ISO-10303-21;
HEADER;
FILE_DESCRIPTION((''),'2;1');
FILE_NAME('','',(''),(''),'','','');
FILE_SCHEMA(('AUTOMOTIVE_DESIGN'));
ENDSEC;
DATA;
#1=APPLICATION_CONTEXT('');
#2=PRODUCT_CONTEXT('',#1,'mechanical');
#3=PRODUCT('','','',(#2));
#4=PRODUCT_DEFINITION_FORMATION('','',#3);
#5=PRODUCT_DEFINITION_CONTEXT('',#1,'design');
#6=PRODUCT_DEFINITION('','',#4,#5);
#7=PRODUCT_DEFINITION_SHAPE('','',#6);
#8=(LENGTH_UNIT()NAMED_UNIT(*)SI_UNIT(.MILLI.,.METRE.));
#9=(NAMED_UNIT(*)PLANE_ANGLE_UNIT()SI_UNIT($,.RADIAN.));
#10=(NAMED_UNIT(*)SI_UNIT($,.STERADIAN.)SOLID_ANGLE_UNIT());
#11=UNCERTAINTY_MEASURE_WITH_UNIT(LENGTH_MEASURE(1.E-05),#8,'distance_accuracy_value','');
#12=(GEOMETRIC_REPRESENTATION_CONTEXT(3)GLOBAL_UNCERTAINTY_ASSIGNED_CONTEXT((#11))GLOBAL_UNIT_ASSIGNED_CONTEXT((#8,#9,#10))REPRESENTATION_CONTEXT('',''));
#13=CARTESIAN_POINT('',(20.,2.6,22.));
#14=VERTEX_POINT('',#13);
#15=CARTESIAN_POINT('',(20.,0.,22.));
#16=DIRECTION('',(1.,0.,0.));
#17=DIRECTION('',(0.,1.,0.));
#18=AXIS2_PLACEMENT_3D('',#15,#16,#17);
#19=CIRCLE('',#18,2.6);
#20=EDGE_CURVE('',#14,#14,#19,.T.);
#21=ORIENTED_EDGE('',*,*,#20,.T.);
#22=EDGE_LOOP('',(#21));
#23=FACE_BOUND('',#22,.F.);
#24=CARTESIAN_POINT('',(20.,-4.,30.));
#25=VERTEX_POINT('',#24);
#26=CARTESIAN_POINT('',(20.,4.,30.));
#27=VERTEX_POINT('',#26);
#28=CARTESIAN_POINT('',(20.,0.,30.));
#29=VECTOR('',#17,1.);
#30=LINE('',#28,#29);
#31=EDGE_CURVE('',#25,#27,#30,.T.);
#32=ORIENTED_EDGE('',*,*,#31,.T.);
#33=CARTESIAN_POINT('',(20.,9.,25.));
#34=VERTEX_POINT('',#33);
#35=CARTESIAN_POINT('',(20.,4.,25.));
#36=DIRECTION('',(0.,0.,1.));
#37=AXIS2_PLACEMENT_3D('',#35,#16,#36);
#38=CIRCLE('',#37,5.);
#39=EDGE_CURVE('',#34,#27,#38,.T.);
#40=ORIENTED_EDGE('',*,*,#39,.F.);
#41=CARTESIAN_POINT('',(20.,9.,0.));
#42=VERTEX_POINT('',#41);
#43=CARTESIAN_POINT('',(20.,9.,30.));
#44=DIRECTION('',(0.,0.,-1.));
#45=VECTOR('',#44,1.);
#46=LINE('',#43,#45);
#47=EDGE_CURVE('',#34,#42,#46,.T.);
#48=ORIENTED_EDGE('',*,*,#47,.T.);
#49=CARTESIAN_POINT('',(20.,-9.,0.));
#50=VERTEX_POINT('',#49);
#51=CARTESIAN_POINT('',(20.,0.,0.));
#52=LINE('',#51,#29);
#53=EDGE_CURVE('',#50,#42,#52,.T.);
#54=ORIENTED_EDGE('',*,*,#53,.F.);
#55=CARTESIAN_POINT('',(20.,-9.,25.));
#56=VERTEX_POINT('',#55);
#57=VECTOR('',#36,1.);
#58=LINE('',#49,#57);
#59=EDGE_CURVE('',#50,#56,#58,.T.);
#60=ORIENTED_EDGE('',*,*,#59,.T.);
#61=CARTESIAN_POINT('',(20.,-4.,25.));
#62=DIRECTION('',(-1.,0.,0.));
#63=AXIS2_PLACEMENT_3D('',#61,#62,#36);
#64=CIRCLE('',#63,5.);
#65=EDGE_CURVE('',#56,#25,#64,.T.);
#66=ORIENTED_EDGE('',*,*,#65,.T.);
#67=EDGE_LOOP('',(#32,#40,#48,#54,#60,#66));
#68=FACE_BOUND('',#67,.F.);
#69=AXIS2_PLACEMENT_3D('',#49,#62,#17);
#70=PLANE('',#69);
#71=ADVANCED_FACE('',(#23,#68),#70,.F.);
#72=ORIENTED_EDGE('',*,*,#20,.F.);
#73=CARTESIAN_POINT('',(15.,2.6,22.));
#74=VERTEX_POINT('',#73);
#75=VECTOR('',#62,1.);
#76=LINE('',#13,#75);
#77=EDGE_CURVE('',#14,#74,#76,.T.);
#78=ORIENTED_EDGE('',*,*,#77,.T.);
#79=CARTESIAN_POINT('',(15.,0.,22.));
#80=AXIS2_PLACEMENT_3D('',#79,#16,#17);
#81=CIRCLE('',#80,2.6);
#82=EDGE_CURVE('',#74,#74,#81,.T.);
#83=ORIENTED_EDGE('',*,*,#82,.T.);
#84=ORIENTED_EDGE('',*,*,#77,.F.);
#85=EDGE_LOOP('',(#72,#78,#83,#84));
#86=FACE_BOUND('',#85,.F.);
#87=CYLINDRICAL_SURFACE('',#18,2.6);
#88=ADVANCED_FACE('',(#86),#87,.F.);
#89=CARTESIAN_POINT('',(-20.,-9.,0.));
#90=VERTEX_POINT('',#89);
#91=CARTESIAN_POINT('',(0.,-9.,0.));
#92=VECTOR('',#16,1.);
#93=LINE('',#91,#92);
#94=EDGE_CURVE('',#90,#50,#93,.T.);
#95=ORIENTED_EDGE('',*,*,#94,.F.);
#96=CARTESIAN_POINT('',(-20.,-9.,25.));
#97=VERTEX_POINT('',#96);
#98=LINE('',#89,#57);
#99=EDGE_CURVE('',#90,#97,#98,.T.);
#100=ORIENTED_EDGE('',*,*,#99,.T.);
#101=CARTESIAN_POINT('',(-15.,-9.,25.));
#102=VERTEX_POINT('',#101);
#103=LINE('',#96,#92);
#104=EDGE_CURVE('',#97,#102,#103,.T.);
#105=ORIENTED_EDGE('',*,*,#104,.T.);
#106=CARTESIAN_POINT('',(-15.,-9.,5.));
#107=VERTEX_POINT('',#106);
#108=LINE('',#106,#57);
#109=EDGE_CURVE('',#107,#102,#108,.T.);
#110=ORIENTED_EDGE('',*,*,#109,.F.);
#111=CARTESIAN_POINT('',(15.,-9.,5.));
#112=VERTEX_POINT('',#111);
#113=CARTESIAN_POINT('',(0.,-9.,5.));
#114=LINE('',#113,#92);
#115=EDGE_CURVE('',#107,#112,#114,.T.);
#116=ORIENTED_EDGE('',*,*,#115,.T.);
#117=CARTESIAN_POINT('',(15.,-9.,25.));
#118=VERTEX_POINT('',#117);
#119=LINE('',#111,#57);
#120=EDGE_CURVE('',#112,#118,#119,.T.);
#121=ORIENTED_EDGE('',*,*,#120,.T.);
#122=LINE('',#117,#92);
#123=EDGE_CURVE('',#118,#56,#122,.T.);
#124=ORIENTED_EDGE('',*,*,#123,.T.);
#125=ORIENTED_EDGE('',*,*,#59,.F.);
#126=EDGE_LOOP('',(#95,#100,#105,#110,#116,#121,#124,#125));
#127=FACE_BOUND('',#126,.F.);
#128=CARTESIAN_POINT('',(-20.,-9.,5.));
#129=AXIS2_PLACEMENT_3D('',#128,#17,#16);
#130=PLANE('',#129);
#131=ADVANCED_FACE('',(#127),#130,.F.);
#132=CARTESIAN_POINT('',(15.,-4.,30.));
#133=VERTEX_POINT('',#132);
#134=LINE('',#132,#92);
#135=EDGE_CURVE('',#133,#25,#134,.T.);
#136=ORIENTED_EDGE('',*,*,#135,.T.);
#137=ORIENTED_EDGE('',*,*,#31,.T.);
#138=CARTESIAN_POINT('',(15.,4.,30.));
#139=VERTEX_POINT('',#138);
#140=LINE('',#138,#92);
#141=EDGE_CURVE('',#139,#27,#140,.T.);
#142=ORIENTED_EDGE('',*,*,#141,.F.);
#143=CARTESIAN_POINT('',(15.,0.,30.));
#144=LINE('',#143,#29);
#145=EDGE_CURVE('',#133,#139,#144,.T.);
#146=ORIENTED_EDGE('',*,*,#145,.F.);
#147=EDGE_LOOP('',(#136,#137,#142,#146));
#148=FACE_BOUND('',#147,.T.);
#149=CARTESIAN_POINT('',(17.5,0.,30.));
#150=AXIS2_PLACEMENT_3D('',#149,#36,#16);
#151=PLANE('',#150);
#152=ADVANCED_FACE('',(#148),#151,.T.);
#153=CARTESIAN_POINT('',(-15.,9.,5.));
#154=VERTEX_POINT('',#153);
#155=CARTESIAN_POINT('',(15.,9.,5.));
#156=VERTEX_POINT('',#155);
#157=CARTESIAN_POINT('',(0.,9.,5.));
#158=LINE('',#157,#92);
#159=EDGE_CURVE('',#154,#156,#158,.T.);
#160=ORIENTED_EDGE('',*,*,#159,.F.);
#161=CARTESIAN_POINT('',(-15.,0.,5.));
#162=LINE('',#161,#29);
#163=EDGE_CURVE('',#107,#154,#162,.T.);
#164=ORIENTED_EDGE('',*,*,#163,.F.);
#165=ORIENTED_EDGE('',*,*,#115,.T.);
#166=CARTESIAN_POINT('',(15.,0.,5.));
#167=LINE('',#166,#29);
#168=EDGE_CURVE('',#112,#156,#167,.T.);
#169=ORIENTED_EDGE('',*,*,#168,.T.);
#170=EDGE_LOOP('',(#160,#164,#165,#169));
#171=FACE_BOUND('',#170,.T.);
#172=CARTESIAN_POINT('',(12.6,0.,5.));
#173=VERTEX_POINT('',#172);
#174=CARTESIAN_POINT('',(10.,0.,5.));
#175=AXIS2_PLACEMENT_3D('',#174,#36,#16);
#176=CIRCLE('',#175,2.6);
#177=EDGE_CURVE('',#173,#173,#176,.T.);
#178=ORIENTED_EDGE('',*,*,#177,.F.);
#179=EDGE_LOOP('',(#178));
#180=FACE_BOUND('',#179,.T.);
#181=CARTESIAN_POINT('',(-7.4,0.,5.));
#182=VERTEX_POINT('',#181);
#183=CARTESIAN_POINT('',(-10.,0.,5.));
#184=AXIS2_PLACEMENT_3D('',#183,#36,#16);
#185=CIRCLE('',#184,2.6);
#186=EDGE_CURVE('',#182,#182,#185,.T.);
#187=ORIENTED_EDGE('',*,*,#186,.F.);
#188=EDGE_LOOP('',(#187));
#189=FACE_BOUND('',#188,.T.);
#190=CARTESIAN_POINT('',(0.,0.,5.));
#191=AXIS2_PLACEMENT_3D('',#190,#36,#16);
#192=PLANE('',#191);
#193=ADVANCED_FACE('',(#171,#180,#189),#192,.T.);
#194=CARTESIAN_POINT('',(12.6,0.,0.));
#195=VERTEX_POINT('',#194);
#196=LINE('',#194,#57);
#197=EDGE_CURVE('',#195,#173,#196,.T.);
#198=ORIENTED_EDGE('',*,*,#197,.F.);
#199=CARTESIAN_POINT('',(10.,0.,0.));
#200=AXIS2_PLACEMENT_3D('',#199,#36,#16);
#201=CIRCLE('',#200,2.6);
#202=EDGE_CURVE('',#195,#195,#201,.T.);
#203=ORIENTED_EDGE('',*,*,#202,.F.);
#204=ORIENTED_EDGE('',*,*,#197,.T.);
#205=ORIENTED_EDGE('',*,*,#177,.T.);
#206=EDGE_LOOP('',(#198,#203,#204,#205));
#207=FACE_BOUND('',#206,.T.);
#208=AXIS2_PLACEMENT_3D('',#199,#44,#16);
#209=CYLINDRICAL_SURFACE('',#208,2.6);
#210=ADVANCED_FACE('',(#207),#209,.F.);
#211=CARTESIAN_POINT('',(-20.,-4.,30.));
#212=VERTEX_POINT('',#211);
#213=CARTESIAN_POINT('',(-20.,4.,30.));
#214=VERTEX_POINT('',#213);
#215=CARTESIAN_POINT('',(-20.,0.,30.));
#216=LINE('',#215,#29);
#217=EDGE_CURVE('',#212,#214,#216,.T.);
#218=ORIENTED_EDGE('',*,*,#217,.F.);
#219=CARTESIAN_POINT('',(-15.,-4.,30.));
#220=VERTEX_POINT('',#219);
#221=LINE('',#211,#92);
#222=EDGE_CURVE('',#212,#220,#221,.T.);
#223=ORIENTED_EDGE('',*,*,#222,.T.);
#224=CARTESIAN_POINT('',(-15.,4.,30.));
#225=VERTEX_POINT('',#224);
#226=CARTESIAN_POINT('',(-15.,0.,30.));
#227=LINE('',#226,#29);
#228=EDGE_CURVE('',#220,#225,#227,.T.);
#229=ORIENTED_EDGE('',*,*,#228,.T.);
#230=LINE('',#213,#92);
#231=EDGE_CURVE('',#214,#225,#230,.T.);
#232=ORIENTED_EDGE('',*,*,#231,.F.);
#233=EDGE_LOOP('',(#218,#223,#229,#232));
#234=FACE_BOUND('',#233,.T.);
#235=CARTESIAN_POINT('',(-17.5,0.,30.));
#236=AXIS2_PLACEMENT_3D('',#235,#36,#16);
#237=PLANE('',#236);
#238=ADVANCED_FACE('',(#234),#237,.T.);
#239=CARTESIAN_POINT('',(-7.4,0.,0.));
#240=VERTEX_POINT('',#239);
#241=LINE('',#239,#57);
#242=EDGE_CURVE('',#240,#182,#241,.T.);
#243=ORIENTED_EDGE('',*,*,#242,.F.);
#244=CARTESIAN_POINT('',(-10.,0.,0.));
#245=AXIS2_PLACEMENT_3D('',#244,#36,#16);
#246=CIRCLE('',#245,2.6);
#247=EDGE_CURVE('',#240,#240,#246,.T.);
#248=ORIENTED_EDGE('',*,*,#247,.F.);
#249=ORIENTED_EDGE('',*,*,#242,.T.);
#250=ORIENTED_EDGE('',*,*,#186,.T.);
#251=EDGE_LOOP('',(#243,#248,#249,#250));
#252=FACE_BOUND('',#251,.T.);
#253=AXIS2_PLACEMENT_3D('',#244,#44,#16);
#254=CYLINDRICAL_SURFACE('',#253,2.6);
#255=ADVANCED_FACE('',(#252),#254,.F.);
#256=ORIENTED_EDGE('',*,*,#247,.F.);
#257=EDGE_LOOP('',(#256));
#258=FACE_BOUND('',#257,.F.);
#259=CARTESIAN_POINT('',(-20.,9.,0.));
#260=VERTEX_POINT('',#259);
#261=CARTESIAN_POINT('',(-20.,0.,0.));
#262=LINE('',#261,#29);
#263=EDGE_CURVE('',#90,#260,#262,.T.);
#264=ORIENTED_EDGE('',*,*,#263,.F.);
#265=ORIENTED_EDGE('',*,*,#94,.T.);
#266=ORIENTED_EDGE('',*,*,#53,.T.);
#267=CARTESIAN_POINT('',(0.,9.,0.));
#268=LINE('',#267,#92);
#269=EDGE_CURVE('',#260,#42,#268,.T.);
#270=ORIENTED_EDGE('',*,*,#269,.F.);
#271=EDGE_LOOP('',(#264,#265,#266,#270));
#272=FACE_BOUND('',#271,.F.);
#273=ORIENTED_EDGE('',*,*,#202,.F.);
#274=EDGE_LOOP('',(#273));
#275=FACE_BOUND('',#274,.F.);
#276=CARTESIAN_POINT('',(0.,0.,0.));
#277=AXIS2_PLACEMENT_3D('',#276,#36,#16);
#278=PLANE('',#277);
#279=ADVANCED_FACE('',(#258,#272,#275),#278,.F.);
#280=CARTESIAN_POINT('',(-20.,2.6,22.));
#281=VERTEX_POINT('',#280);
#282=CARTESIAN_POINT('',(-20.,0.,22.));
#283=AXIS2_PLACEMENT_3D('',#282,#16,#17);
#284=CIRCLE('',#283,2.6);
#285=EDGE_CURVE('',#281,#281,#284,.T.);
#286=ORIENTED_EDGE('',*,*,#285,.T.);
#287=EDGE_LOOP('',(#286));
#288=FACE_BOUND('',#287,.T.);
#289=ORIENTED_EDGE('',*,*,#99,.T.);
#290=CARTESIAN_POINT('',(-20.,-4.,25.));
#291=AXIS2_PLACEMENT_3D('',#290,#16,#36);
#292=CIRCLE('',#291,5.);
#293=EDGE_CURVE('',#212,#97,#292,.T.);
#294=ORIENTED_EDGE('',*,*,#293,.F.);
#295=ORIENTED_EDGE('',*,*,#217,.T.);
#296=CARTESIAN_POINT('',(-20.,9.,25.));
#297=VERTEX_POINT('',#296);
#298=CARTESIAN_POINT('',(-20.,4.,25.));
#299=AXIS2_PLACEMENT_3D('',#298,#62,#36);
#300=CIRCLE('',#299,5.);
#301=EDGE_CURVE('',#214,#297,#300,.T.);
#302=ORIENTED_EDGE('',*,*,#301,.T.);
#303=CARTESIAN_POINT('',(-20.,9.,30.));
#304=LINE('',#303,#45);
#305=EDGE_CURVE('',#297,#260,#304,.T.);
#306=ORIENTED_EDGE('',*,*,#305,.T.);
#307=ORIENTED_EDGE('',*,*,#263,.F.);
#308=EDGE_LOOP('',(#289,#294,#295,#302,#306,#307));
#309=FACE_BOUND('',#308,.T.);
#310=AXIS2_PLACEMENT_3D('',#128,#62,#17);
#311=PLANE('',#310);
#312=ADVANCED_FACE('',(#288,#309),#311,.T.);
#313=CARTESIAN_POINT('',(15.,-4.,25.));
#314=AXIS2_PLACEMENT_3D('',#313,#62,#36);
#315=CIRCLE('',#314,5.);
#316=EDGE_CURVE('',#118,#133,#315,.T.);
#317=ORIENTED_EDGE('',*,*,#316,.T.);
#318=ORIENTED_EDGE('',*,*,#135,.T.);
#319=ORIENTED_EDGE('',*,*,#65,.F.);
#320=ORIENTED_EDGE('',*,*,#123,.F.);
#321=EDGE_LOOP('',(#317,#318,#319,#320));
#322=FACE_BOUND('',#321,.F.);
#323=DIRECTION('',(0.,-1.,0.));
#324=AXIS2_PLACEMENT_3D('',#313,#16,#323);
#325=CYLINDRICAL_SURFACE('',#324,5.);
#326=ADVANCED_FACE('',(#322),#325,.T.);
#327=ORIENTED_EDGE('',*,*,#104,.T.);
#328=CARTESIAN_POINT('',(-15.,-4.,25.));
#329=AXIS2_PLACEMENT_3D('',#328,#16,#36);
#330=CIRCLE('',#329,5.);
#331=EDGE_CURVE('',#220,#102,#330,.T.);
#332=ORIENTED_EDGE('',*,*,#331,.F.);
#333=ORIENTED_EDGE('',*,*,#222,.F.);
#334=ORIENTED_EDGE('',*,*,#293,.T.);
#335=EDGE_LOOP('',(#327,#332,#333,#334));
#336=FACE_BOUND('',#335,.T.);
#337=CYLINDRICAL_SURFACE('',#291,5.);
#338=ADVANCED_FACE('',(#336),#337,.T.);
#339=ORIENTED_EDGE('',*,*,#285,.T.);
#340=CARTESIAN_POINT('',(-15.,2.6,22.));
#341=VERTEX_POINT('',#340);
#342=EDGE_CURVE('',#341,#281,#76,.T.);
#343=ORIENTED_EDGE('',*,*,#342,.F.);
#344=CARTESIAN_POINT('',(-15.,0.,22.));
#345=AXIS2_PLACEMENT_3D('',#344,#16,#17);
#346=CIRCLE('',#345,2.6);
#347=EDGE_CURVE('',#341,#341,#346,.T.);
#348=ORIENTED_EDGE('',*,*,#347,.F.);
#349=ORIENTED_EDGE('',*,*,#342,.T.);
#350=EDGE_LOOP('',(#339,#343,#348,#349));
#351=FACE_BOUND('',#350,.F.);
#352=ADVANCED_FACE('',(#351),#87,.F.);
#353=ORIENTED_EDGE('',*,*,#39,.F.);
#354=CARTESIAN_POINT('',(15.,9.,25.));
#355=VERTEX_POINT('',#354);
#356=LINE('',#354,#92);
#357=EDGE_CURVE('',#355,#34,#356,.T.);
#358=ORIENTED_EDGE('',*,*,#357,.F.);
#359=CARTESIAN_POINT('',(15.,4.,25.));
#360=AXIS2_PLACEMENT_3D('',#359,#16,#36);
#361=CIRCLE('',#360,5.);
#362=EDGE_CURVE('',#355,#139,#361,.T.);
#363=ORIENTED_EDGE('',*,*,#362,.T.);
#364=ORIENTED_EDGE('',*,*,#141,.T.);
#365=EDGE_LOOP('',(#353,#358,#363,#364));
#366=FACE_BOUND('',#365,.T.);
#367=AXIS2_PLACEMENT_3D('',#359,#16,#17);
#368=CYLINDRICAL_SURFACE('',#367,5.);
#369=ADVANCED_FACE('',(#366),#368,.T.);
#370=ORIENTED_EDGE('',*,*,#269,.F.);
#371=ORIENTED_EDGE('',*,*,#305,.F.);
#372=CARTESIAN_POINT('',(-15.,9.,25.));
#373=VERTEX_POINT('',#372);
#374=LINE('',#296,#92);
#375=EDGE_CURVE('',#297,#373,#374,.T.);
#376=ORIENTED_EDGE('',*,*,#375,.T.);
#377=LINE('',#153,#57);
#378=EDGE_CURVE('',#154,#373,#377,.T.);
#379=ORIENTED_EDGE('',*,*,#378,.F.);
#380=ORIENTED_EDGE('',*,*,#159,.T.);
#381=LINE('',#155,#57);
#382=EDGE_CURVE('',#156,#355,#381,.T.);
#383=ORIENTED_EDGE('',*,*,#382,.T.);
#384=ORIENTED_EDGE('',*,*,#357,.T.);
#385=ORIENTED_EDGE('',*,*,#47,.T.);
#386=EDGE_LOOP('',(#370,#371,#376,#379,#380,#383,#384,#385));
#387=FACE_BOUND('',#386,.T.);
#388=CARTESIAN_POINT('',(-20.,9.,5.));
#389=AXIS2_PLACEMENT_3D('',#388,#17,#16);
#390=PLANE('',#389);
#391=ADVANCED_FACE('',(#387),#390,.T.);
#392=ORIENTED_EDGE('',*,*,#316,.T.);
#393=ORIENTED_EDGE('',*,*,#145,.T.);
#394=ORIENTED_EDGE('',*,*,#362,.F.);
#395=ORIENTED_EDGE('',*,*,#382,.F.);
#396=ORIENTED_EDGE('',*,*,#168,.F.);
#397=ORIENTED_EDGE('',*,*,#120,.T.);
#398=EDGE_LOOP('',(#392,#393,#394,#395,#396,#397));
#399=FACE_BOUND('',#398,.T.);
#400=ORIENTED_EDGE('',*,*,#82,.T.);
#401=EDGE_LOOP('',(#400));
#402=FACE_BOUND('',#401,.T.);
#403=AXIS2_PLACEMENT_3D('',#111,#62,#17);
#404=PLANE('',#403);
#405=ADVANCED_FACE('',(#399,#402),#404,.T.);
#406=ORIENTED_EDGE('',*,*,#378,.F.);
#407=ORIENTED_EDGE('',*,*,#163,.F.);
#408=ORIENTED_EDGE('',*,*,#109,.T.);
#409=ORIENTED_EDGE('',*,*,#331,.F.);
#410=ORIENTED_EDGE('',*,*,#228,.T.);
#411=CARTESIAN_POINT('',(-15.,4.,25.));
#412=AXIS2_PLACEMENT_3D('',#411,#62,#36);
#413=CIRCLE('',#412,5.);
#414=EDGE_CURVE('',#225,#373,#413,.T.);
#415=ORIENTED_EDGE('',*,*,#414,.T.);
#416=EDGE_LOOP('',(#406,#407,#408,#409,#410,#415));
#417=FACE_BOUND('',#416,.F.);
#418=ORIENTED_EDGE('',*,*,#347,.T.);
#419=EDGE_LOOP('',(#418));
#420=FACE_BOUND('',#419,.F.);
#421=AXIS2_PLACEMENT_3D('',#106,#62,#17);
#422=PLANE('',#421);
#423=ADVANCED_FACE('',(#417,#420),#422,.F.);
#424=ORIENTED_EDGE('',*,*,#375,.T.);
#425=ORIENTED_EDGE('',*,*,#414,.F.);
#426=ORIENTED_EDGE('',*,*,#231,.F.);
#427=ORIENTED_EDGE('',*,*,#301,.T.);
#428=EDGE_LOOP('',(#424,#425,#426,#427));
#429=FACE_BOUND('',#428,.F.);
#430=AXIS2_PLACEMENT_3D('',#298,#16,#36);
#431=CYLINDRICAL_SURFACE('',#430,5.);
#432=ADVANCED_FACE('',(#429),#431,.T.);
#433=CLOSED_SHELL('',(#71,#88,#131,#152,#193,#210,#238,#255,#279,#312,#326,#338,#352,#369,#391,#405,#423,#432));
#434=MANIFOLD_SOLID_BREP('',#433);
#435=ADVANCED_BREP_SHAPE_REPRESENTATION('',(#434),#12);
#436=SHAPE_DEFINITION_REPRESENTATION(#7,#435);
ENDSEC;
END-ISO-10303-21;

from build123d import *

# Parameters (mm, degrees)
SKETCH_W     = 40
SKETCH_H     = 18
SKETCH_R     = 2.6
PAD_DEPTH    = 5
SKETCH001_W  = 5
SKETCH001_H  = 18
PAD001_DEPTH = 25
SKETCH002_R  = 2.6
POCKET_DEPTH = 40.001
FILLET_R     = 5


with BuildPart() as part:
    # Sketch → Pad (new body)
    with BuildSketch(Plane.XY):
        Rectangle(SKETCH_W, SKETCH_H)
        with Locations((10, 0)):
            Circle(SKETCH_R, mode=Mode.SUBTRACT)
        with Locations((-10, 0)):
            Circle(SKETCH_R, mode=Mode.SUBTRACT)
    extrude(amount=PAD_DEPTH)

    # Sketch001 (on Face8 of Pad) → Pad001 (join)
    with BuildSketch(Plane.XY.offset(5)):
        with Locations((-17.5, 0)):
            Rectangle(SKETCH001_W, SKETCH001_H)
        with Locations((17.5, 0)):
            Rectangle(SKETCH001_W, SKETCH001_H)
    extrude(amount=PAD001_DEPTH)

    # Sketch002 (on Face15 of Pad001) → Pocket (cut, through all)
    with BuildSketch(Plane.YZ.offset(20)):
        with Locations((0, 22)):
            Circle(SKETCH002_R)
    extrude(amount=-POCKET_DEPTH, mode=Mode.SUBTRACT)

    # Fillet
    fillet_edges = [part.edges().sort_by_distance(p)[0] for p in [
        (17.5, -9, 30),
        (17.5, 9, 30),
        (-17.5, 9, 30),
        (-17.5, -9, 30),
    ]]
    fillet(fillet_edges, radius=FILLET_R)


solid = part.part
